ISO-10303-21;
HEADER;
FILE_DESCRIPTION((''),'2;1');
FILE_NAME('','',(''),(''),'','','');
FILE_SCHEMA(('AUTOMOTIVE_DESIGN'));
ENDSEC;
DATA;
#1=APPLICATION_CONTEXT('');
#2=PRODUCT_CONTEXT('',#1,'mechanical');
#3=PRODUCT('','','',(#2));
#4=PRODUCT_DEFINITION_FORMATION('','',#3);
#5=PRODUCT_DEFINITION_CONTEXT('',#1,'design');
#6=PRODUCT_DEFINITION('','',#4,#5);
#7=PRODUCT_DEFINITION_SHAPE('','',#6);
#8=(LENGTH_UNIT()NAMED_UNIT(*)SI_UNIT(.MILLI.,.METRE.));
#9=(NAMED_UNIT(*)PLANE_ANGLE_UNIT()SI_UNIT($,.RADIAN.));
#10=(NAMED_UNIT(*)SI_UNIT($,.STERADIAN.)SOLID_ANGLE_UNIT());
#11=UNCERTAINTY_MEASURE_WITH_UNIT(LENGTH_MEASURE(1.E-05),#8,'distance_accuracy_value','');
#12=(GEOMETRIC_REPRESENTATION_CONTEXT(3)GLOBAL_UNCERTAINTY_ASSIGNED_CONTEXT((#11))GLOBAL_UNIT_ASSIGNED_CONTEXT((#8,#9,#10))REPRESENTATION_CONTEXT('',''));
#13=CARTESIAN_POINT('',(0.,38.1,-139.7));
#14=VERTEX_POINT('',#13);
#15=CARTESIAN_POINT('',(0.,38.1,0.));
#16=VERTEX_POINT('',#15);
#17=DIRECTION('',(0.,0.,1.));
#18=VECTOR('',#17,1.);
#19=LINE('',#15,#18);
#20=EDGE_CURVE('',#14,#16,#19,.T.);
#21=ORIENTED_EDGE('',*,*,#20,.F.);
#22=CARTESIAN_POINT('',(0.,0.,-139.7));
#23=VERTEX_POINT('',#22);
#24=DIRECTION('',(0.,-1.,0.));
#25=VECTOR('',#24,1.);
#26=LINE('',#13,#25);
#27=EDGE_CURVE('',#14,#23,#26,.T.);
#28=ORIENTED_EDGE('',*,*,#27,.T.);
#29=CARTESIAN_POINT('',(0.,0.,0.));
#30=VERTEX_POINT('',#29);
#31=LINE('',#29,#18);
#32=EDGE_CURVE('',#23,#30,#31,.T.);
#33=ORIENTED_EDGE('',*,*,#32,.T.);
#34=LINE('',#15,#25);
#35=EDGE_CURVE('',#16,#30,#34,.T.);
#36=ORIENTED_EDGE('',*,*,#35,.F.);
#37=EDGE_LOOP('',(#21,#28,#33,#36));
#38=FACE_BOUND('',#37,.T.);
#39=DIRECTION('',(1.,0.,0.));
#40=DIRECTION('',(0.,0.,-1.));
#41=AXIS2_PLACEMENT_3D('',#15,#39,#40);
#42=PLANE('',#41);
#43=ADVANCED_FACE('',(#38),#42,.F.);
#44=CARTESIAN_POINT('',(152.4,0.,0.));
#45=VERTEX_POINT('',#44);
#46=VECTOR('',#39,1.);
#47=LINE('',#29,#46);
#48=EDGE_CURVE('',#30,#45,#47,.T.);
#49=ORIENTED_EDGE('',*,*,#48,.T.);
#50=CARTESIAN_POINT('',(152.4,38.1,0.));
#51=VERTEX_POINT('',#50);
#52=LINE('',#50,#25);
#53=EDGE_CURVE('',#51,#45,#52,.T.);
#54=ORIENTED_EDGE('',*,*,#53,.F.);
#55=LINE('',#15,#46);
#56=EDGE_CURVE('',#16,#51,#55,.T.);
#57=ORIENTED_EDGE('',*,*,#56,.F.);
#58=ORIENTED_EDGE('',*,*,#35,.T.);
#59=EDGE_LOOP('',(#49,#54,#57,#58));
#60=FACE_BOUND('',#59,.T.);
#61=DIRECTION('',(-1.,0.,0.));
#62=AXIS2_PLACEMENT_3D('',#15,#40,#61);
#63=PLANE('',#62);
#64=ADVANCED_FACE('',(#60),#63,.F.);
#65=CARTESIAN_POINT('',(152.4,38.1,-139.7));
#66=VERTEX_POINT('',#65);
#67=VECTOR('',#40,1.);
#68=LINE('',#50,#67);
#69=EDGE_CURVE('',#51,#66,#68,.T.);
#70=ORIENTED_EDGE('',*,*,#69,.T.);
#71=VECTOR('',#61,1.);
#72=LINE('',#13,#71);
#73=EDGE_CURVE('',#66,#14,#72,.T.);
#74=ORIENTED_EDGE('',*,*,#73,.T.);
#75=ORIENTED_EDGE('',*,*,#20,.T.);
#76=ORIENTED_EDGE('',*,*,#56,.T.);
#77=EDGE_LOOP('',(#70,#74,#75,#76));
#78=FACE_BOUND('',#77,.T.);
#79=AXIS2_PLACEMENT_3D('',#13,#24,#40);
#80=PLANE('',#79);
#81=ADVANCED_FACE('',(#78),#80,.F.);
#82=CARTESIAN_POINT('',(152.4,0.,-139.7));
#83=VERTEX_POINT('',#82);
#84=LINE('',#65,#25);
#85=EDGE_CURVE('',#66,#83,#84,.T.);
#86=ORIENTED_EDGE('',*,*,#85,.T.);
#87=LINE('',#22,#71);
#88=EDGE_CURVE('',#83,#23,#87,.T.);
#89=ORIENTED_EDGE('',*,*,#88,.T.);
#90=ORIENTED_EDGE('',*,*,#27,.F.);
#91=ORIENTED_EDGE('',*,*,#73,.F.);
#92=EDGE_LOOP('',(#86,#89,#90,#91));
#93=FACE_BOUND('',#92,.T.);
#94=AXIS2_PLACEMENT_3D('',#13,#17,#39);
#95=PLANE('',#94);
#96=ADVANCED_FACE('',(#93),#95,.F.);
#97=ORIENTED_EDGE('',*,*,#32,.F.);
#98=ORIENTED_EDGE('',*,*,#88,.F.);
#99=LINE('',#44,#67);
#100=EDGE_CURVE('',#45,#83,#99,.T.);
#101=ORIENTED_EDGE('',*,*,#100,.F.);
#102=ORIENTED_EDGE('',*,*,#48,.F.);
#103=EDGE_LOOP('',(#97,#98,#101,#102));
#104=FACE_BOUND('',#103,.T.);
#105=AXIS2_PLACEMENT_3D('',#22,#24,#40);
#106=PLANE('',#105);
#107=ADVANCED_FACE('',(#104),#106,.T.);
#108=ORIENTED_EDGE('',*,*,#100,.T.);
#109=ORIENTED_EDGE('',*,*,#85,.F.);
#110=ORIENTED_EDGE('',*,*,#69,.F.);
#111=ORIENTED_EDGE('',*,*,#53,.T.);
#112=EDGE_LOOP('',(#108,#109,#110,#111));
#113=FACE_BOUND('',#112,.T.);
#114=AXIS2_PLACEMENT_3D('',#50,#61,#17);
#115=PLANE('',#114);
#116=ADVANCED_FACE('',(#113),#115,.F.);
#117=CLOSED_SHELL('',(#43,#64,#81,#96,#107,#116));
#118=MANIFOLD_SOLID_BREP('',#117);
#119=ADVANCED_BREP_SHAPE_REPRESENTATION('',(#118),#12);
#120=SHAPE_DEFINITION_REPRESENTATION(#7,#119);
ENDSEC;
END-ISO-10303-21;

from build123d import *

# Parameters (mm, degrees)
SKETCH1_W           = 152.4
SKETCH1_H           = 139.7
BOSS_EXTRUDE1_DEPTH = 38.1


with BuildPart() as part:
    # Sketch1 → Boss-Extrude1 (new body)
    with BuildSketch(Plane(origin=(0, 0, 0), x_dir=(1, 0, 0), z_dir=(0, 1, 0))):
        with Locations((76.2, 69.85)):
            Rectangle(SKETCH1_W, SKETCH1_H)
    extrude(amount=BOSS_EXTRUDE1_DEPTH)


solid = part.part
